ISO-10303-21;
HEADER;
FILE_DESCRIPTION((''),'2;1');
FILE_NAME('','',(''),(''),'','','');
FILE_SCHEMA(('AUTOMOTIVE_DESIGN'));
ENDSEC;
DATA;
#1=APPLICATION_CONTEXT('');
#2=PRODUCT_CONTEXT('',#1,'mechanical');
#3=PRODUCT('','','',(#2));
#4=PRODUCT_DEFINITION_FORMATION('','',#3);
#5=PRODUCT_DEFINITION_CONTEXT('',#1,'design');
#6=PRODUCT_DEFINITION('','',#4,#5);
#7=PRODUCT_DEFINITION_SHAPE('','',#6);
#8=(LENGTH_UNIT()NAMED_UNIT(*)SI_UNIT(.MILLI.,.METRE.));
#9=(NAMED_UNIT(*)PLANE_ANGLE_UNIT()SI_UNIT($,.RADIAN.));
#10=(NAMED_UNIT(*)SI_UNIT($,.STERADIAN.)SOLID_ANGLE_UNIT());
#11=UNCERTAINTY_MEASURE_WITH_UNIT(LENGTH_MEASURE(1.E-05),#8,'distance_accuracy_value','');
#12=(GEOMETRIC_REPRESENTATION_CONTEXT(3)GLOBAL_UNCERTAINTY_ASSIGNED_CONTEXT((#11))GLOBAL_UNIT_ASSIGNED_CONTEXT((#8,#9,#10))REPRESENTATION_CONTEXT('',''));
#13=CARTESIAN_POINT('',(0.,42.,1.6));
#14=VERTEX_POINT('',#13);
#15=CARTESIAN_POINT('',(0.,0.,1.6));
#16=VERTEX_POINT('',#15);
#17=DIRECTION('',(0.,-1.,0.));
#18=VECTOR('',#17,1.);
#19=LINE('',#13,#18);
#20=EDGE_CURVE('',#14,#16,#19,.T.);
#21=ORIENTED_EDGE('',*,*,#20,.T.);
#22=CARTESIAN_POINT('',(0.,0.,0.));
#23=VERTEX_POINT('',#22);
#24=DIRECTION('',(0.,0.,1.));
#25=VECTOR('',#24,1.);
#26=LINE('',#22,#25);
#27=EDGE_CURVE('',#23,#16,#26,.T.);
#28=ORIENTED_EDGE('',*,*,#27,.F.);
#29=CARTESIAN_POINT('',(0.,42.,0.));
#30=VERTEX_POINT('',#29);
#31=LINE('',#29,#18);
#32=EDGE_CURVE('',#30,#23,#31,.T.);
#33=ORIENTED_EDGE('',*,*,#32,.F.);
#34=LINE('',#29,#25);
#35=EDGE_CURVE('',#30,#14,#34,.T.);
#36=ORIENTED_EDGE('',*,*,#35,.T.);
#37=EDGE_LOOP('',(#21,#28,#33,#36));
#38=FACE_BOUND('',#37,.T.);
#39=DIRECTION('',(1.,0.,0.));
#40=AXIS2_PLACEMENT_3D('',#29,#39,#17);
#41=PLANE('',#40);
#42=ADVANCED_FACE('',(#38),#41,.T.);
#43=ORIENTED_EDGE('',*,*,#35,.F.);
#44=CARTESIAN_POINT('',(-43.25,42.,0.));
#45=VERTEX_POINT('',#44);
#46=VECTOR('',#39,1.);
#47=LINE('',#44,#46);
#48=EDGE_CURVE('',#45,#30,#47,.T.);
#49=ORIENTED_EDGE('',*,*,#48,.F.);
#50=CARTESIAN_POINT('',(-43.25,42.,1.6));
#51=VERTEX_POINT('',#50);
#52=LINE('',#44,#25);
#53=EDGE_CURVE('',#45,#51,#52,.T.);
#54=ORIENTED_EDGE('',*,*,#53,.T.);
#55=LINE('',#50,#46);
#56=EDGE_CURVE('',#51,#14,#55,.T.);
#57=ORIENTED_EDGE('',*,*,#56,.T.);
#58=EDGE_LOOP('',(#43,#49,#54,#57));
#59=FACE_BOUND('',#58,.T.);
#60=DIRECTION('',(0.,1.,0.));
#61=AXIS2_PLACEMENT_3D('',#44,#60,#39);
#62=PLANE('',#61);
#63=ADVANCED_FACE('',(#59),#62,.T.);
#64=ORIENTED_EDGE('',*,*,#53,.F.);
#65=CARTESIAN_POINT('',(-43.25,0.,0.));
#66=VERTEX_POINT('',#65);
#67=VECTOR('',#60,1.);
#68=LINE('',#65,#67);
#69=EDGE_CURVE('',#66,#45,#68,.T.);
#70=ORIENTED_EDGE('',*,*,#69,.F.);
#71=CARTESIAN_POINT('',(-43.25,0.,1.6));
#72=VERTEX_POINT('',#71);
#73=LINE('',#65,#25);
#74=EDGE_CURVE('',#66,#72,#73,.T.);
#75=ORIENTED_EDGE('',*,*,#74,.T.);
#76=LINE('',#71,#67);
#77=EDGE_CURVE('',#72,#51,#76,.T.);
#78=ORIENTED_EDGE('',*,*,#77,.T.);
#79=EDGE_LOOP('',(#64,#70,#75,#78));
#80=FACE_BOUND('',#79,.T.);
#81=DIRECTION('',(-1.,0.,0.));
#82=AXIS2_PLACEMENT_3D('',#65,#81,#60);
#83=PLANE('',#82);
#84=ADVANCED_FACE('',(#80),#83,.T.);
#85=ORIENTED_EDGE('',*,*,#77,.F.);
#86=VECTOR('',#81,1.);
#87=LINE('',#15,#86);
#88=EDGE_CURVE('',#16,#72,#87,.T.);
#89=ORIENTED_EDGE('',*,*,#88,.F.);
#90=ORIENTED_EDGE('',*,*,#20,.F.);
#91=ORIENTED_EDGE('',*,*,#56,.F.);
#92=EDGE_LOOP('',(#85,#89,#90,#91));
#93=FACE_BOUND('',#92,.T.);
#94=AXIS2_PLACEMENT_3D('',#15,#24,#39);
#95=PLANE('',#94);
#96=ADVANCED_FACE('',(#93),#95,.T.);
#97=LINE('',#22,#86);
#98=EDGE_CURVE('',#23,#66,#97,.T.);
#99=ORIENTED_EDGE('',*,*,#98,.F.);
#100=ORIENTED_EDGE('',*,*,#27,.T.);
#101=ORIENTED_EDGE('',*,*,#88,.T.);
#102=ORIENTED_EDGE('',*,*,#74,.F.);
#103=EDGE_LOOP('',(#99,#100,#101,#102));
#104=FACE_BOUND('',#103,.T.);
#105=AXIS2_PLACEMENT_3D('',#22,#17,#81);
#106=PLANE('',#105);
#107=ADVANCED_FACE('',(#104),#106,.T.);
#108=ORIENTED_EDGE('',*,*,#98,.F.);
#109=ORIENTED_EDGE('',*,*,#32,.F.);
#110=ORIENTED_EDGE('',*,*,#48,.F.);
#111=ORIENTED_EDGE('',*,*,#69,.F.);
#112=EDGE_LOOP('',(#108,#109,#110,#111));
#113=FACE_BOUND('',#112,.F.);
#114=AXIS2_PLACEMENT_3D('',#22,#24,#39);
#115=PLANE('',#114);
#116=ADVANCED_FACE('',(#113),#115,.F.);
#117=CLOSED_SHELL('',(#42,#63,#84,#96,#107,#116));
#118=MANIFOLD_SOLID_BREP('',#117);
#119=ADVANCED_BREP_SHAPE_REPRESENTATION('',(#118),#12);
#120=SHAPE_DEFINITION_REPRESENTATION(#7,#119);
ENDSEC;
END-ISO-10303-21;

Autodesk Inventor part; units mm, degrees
ref_plane "Plan YZ" through (0, 0, 0) normal (1, 0, 0) x (0, 1, 0)
ref_plane "Plan XZ" through (0, 0, 0) normal (0, 1, 0) x (-1, 0, 0)
ref_plane "Plan XY" through (0, 0, 0) normal (0, 0, 1) x (1, 0, 0)
sketch "Esquisse1" plane through (0, 0, 0) normal (0, 0, 1) x (1, 0, 0)
  line L0 (-43.25, 42) -> (0, 42)
  line L1 (0, 42) -> (0, 0)
  line L2 (0, 0) -> (-43.25, 0)
  line L3 (-43.25, 0) -> (-43.25, 42)
  dimension "d0" = 43.25
  dimension "d1" = 42
extrude "Extrusion1" add sketch "Esquisse1" along normal blind 1.6
sketch "Esquisse6" plane through (0, 0, 1.6) normal (0, 0, 1) x (1, 0, 0)
  point P0 (0, 0)
properties part number "display" material "."
